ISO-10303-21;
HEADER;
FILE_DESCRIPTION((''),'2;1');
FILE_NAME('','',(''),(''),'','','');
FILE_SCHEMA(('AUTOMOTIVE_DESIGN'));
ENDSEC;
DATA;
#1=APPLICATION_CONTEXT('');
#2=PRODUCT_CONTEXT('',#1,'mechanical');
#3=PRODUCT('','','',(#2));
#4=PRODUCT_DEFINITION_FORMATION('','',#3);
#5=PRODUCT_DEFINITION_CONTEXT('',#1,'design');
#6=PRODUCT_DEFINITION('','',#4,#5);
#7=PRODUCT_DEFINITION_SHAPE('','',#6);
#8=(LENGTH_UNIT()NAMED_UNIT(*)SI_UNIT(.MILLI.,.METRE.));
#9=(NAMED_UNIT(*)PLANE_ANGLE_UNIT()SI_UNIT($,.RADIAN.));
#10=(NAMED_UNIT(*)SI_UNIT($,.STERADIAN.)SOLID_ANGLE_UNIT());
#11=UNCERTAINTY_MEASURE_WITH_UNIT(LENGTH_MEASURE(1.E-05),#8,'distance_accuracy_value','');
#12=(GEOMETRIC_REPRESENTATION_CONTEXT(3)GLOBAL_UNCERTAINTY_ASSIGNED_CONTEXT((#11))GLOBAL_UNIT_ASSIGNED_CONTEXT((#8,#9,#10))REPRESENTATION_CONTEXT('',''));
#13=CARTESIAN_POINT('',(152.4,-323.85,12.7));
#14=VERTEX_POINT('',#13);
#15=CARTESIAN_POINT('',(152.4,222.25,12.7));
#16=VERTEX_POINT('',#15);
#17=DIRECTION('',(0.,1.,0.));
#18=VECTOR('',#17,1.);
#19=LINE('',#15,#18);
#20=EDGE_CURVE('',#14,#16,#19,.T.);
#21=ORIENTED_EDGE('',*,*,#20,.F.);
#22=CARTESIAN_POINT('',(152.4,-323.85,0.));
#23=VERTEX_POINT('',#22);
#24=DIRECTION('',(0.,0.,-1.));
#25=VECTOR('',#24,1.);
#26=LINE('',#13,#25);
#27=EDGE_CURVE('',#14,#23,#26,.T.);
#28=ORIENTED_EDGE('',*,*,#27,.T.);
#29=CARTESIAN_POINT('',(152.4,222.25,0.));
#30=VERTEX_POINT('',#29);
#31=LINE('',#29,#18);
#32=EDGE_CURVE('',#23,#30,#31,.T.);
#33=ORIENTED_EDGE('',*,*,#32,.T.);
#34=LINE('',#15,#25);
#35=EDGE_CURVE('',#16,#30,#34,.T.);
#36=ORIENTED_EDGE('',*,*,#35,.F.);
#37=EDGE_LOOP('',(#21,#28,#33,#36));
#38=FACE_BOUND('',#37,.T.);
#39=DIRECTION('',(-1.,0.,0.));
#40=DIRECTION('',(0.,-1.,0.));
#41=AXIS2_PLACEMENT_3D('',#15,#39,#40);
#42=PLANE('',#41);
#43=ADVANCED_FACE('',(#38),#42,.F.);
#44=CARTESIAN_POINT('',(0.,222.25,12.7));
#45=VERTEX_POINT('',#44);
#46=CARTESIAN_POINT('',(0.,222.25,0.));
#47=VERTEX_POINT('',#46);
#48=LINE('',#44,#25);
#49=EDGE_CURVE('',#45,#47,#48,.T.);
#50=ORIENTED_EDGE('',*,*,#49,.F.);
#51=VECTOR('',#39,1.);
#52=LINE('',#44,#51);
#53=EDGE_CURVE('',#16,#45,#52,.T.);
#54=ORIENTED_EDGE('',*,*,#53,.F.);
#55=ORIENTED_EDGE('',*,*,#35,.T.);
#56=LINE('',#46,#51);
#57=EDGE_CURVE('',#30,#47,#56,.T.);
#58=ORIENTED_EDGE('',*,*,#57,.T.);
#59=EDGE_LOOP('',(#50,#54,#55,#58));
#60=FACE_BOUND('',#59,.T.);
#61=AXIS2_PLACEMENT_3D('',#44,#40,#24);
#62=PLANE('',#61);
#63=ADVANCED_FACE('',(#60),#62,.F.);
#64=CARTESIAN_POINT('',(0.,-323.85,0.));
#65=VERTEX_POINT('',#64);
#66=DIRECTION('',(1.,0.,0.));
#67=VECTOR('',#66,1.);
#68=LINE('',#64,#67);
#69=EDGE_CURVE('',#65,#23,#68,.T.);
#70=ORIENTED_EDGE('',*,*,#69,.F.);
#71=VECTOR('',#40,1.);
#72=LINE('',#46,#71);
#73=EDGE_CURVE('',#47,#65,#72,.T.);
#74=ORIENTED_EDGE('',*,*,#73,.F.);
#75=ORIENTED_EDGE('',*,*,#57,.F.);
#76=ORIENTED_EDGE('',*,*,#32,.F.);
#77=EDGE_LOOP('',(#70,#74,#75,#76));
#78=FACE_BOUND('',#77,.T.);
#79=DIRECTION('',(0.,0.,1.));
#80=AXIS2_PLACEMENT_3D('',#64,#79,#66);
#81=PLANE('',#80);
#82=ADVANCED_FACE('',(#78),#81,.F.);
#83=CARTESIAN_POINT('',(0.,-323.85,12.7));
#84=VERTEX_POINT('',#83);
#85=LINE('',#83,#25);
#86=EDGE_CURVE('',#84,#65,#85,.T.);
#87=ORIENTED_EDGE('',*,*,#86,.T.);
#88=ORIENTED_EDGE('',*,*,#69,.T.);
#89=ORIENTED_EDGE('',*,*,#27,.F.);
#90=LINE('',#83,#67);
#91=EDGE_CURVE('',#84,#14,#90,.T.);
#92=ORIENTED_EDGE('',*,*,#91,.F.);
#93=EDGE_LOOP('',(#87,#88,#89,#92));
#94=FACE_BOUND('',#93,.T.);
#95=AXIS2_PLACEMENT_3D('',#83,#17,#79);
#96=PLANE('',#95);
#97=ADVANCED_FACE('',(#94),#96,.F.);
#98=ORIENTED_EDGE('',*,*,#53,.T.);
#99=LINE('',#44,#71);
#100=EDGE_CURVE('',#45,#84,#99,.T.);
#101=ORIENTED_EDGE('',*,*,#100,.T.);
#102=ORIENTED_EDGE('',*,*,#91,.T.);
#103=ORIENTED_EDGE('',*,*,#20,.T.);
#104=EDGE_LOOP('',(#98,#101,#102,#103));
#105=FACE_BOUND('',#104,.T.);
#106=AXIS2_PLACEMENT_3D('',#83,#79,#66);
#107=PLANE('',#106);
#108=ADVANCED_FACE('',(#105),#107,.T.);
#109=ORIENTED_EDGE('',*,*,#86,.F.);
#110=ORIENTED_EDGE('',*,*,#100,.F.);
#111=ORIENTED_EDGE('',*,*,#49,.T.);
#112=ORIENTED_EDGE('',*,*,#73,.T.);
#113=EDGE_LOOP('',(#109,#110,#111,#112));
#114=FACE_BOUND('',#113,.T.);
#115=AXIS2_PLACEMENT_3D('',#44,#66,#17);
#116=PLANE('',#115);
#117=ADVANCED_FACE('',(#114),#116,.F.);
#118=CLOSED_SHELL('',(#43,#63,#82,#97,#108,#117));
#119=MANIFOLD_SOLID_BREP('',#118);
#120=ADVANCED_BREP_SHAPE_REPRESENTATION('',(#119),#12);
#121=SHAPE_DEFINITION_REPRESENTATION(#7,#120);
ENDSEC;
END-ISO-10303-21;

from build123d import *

# Parameters (mm, degrees)
SKETCH1_W           = 152.4
SKETCH1_H           = 546.1
BOSS_EXTRUDE1_DEPTH = 12.7


with BuildPart() as part:
    # Sketch1 → Boss-Extrude1 (new body)
    with BuildSketch(Plane.XY):
        with Locations((76.2, -50.8)):
            Rectangle(SKETCH1_W, SKETCH1_H)
    extrude(amount=BOSS_EXTRUDE1_DEPTH)


solid = part.part
